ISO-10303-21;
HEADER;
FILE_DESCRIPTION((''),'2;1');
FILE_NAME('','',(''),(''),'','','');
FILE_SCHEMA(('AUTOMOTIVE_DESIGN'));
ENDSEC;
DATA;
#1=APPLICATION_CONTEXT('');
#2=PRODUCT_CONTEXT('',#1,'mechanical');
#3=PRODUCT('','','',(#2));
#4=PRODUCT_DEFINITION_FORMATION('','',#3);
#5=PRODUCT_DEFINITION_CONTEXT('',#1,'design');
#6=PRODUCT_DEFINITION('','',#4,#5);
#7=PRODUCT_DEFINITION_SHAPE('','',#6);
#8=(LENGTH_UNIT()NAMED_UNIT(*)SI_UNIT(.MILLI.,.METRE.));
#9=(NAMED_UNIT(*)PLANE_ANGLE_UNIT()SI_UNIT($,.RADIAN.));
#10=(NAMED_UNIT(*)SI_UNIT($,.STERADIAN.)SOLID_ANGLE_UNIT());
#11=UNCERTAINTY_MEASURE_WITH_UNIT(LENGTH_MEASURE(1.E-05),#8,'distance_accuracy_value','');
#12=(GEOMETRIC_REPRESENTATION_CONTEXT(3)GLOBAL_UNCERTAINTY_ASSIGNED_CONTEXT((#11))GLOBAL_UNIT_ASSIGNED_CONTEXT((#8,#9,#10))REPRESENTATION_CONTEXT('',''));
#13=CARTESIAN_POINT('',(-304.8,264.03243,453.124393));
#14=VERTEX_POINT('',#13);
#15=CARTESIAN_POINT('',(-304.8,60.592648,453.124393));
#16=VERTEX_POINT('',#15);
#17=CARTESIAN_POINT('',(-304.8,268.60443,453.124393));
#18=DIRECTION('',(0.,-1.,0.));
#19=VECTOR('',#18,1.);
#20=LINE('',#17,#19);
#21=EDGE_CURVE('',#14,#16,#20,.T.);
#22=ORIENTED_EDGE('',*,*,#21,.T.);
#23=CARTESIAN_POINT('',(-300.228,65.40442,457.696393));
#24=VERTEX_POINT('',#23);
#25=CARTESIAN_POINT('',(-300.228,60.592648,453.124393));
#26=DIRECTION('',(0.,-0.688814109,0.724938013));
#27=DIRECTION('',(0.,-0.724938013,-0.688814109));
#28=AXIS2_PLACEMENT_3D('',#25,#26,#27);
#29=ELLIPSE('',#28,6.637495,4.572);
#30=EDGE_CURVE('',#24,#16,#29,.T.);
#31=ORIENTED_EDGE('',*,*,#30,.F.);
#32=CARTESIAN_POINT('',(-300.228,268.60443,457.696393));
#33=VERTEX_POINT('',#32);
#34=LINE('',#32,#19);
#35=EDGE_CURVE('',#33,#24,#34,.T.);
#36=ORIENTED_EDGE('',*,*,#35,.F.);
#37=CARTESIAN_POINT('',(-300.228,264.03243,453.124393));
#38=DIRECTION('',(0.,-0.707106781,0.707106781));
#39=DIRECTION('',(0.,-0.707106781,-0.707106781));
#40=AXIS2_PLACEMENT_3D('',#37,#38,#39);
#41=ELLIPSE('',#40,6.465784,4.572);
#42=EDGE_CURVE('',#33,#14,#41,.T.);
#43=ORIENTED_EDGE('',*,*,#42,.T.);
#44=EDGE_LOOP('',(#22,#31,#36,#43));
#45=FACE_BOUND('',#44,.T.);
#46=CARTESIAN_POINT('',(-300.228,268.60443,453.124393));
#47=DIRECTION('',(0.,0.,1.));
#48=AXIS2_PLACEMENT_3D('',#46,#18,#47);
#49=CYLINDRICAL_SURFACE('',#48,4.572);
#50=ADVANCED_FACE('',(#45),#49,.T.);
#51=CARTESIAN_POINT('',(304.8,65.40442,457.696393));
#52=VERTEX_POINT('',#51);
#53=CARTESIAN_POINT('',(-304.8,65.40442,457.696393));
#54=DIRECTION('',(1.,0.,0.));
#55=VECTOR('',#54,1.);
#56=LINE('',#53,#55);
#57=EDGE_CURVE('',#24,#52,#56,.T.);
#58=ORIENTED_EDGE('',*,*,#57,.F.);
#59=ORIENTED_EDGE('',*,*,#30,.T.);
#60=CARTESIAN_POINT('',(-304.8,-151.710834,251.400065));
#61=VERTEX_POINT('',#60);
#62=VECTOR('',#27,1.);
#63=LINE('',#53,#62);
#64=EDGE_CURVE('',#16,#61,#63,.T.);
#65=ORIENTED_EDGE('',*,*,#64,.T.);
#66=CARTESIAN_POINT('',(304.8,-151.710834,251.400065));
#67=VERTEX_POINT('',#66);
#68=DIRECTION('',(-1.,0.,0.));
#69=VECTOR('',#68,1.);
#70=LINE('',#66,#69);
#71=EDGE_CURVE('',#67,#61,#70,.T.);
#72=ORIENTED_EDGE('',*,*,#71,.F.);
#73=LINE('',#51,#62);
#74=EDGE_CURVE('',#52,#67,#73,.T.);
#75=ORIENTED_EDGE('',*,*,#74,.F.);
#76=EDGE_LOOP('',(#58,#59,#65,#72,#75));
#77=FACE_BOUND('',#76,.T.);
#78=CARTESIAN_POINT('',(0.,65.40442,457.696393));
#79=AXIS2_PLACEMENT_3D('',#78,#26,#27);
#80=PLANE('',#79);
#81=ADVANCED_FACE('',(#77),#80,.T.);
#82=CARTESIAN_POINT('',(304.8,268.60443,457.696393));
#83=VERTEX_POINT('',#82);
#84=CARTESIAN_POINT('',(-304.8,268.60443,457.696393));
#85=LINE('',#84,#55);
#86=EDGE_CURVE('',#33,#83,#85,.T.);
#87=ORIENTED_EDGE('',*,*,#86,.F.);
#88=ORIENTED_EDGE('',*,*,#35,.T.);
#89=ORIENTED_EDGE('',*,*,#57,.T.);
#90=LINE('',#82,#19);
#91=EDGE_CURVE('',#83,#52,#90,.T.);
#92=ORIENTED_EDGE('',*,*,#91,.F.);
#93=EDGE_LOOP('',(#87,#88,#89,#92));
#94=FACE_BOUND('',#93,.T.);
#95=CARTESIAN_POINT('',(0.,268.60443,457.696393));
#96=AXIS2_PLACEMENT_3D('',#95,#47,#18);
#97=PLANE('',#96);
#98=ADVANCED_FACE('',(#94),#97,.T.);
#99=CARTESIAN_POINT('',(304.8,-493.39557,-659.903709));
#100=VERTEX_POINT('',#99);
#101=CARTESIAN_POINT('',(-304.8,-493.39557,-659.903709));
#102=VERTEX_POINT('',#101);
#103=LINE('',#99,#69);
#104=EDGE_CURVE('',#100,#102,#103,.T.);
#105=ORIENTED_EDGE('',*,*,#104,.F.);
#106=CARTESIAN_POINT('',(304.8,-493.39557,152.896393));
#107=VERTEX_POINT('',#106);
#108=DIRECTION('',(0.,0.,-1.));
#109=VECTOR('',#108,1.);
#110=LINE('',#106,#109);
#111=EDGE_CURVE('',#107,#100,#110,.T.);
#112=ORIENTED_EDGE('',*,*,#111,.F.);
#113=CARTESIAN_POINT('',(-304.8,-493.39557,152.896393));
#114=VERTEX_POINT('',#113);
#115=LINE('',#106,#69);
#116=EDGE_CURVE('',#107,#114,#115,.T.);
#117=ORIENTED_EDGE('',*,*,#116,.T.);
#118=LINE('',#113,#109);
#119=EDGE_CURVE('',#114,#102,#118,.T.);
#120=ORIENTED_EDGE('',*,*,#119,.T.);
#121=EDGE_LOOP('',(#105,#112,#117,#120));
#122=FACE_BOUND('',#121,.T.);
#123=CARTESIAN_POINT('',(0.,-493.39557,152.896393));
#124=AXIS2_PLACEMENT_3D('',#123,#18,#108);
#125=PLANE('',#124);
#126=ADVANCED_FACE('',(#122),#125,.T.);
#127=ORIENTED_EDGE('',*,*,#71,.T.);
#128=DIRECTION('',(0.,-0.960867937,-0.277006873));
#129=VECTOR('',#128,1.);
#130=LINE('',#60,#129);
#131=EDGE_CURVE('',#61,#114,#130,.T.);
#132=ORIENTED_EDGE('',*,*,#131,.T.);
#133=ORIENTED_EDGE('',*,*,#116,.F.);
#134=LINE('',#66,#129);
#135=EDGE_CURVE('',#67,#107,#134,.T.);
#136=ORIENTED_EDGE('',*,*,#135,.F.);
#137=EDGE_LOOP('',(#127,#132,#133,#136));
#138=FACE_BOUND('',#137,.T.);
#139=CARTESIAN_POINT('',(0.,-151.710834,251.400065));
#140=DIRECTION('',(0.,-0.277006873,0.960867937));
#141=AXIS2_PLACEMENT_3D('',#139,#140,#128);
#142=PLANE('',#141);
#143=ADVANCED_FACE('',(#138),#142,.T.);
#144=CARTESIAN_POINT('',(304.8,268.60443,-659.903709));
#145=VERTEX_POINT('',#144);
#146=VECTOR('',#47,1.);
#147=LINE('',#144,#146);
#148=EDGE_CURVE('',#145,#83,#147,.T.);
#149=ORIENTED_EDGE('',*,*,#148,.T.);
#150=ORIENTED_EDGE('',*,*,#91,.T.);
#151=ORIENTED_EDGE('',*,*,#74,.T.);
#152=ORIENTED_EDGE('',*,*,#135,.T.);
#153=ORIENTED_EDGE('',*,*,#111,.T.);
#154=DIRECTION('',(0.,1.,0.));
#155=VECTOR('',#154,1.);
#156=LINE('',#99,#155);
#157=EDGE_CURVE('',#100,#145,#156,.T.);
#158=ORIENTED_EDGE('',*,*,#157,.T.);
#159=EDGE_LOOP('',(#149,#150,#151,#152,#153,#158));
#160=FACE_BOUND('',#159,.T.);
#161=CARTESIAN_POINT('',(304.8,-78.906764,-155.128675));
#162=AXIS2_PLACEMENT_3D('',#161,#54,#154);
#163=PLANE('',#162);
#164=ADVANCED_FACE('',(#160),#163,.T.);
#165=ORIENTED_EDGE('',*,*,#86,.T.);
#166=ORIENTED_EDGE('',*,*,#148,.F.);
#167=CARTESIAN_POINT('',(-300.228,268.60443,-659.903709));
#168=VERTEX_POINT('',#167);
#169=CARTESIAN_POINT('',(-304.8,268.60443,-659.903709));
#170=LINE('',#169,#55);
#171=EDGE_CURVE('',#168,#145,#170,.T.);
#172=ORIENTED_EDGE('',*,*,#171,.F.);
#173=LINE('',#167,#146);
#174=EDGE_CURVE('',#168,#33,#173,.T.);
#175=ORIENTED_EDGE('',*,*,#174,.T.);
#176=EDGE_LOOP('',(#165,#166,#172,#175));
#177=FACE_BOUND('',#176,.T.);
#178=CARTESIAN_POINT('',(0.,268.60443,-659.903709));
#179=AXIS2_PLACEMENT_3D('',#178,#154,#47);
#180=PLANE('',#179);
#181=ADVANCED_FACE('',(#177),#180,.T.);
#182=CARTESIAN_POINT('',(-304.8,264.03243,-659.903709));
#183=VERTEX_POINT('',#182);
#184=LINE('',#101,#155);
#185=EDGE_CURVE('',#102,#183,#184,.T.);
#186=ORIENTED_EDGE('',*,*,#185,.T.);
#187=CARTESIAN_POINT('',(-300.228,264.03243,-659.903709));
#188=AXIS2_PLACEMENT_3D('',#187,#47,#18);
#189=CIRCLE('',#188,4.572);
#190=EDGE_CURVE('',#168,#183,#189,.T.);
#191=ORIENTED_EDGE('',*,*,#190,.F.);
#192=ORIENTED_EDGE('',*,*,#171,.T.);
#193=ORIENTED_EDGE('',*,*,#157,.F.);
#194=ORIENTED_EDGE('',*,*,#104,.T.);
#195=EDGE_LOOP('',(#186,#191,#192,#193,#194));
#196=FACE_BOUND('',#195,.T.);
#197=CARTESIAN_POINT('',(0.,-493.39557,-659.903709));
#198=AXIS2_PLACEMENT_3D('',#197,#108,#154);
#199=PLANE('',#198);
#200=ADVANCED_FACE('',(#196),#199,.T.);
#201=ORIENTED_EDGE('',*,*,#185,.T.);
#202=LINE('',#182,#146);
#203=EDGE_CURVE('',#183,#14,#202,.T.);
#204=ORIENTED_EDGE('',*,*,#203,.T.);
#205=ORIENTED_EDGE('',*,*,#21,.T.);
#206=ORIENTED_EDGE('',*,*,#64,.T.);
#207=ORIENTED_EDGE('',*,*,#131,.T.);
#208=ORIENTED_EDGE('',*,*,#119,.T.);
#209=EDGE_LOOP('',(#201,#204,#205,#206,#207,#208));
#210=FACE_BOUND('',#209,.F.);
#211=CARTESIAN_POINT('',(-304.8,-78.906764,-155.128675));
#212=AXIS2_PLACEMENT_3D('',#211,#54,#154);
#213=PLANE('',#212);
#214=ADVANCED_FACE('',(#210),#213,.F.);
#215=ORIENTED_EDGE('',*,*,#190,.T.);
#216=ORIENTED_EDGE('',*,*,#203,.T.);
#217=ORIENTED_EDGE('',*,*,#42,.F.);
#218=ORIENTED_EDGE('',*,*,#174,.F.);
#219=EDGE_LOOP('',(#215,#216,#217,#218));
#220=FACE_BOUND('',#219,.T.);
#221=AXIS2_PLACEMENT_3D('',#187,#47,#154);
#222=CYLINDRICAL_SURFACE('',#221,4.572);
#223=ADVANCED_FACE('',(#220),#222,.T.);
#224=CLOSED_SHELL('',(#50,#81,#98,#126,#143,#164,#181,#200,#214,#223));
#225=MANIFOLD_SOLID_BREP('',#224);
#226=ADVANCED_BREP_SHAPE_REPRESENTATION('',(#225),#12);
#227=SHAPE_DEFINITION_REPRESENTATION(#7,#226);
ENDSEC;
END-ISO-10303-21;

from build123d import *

# Parameters (mm, degrees)
F1_DEPTH = 304.8
F2_R     = 4.572


with BuildPart() as f1:
    # F0 (on Right) → F1 (new body, symmetric)
    with BuildSketch(Plane.YZ):
        Polygon((-493.39557, -659.903709), (268.60443, -659.903709), (268.60443, 457.696393), (65.40442, 457.696393), (-151.710834, 251.400065), (-493.39557, 152.896393), align=None)
    extrude(amount=F1_DEPTH, both=True)

    # F2
    f2_edges = [f1.edges().sort_by_distance(p)[0] for p in [
        (-304.8, 167.004425, 457.696393),
        (-304.8, 268.60443, -101.103658),
    ]]
    fillet(f2_edges, radius=F2_R)


solid = f1.part
